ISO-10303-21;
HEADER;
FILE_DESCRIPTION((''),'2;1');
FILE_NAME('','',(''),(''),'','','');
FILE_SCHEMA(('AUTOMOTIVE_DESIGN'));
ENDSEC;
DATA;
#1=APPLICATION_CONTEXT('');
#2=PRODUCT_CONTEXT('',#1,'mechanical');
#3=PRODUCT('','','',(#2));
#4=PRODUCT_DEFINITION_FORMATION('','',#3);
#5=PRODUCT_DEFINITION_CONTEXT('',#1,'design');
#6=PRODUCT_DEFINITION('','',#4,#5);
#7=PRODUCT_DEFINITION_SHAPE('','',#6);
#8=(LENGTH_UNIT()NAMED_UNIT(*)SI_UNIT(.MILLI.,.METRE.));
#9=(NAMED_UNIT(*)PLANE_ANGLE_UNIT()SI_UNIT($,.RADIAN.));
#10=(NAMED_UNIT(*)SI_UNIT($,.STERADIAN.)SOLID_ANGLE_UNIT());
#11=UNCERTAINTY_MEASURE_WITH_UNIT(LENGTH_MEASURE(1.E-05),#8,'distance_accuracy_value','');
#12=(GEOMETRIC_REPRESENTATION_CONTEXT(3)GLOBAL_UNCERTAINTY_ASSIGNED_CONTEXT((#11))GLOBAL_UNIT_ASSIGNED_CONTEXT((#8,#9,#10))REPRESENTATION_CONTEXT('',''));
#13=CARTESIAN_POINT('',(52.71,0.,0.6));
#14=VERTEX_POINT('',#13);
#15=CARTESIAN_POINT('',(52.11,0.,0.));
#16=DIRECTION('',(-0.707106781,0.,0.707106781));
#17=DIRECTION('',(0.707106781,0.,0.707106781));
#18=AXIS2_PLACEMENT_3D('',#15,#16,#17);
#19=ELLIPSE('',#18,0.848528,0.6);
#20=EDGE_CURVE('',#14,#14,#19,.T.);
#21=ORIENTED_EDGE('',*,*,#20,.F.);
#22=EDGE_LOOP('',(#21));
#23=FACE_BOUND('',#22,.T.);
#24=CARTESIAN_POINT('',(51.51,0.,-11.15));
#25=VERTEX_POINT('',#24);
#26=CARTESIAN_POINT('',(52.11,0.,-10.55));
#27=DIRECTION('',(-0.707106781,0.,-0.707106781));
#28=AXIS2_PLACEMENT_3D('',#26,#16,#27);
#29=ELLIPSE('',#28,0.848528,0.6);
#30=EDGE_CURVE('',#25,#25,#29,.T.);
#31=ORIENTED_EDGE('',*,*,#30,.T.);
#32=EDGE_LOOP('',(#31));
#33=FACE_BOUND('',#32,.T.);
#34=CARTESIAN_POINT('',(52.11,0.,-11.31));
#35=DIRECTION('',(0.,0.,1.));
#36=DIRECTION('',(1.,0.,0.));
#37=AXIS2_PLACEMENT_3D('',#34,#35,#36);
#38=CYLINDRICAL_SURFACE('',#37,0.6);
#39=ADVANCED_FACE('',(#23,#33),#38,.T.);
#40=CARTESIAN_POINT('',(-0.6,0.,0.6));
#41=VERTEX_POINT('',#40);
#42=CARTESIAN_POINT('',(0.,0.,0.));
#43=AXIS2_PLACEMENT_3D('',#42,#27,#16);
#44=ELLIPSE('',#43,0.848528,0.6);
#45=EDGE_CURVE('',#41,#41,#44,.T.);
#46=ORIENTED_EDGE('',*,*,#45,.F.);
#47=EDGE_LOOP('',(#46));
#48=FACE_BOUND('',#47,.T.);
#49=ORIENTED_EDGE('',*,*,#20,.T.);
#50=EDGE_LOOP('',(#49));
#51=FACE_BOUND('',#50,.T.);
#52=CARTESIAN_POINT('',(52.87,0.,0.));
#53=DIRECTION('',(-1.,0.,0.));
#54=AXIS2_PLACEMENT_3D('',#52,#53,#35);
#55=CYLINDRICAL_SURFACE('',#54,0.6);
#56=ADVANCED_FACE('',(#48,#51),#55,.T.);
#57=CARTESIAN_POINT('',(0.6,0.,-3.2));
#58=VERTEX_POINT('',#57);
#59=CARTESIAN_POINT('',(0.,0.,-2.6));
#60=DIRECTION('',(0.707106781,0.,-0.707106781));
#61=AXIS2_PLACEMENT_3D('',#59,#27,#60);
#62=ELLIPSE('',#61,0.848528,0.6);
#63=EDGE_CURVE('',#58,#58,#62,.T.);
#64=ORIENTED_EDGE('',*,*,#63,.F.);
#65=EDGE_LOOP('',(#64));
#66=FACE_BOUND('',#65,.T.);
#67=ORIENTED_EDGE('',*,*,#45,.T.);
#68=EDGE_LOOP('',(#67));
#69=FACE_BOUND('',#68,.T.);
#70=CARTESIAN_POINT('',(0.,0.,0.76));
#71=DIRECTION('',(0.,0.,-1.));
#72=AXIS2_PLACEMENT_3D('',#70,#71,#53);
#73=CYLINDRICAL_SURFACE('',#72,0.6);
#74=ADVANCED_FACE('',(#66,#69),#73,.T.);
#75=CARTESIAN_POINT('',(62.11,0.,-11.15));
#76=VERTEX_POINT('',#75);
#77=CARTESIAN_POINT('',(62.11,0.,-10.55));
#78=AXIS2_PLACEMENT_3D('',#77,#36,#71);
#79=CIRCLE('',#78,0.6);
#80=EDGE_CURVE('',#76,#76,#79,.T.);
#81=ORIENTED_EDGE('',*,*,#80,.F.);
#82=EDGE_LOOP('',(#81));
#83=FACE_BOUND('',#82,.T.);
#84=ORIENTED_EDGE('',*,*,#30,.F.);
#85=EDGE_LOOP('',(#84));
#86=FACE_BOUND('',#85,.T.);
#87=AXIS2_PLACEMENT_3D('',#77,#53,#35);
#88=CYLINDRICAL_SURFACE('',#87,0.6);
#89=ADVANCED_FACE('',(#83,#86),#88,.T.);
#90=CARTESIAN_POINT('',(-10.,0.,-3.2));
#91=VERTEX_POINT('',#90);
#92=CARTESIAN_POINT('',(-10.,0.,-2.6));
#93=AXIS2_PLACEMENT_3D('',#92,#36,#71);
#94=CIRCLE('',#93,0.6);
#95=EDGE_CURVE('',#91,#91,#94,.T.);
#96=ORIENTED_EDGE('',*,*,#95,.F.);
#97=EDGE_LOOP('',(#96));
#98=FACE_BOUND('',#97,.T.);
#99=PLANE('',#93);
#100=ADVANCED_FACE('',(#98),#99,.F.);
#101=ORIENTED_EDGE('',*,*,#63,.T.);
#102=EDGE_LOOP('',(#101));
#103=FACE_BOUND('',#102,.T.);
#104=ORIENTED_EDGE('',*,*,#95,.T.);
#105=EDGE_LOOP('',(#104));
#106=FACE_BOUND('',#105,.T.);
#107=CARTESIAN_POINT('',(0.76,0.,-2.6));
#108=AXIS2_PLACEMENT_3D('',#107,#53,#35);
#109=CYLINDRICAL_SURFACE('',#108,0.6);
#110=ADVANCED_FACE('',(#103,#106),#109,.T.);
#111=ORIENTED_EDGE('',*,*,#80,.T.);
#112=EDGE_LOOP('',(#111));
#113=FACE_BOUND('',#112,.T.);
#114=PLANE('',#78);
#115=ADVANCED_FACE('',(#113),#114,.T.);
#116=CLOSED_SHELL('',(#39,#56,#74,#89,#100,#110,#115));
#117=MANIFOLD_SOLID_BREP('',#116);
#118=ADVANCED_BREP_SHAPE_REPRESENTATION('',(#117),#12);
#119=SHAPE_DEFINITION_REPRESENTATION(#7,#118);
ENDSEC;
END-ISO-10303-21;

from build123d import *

# Parameters (mm, degrees)
SWEEP1_PROFILE_R = 0.6


with BuildPart() as part:
    # Sweep1: sweep along a path in Sketch1
    with BuildLine(Plane(origin=(0, 0, 0), x_dir=(1, 0, 0), z_dir=(0, 1, 0))) as sweep1_path:
        Line((62.11, 10.55), (52.11, 10.55))
        Line((52.11, 10.55), (52.11, 0))
        Line((52.11, 0), (0, 0))
        Line((0, 0), (0, 2.6))
        Line((0, 2.6), (-10, 2.6))
    # Sweep1 profile (on start of the path) → Sweep1 (sweep)
    with BuildSketch(Plane(origin=(62.11, 0, -10.55), x_dir=(0, 0, -1), z_dir=(-1, 0, 0))):
        Circle(SWEEP1_PROFILE_R)
    sweep(path=sweep1_path.line, transition=Transition.RIGHT)


solid = part.part
